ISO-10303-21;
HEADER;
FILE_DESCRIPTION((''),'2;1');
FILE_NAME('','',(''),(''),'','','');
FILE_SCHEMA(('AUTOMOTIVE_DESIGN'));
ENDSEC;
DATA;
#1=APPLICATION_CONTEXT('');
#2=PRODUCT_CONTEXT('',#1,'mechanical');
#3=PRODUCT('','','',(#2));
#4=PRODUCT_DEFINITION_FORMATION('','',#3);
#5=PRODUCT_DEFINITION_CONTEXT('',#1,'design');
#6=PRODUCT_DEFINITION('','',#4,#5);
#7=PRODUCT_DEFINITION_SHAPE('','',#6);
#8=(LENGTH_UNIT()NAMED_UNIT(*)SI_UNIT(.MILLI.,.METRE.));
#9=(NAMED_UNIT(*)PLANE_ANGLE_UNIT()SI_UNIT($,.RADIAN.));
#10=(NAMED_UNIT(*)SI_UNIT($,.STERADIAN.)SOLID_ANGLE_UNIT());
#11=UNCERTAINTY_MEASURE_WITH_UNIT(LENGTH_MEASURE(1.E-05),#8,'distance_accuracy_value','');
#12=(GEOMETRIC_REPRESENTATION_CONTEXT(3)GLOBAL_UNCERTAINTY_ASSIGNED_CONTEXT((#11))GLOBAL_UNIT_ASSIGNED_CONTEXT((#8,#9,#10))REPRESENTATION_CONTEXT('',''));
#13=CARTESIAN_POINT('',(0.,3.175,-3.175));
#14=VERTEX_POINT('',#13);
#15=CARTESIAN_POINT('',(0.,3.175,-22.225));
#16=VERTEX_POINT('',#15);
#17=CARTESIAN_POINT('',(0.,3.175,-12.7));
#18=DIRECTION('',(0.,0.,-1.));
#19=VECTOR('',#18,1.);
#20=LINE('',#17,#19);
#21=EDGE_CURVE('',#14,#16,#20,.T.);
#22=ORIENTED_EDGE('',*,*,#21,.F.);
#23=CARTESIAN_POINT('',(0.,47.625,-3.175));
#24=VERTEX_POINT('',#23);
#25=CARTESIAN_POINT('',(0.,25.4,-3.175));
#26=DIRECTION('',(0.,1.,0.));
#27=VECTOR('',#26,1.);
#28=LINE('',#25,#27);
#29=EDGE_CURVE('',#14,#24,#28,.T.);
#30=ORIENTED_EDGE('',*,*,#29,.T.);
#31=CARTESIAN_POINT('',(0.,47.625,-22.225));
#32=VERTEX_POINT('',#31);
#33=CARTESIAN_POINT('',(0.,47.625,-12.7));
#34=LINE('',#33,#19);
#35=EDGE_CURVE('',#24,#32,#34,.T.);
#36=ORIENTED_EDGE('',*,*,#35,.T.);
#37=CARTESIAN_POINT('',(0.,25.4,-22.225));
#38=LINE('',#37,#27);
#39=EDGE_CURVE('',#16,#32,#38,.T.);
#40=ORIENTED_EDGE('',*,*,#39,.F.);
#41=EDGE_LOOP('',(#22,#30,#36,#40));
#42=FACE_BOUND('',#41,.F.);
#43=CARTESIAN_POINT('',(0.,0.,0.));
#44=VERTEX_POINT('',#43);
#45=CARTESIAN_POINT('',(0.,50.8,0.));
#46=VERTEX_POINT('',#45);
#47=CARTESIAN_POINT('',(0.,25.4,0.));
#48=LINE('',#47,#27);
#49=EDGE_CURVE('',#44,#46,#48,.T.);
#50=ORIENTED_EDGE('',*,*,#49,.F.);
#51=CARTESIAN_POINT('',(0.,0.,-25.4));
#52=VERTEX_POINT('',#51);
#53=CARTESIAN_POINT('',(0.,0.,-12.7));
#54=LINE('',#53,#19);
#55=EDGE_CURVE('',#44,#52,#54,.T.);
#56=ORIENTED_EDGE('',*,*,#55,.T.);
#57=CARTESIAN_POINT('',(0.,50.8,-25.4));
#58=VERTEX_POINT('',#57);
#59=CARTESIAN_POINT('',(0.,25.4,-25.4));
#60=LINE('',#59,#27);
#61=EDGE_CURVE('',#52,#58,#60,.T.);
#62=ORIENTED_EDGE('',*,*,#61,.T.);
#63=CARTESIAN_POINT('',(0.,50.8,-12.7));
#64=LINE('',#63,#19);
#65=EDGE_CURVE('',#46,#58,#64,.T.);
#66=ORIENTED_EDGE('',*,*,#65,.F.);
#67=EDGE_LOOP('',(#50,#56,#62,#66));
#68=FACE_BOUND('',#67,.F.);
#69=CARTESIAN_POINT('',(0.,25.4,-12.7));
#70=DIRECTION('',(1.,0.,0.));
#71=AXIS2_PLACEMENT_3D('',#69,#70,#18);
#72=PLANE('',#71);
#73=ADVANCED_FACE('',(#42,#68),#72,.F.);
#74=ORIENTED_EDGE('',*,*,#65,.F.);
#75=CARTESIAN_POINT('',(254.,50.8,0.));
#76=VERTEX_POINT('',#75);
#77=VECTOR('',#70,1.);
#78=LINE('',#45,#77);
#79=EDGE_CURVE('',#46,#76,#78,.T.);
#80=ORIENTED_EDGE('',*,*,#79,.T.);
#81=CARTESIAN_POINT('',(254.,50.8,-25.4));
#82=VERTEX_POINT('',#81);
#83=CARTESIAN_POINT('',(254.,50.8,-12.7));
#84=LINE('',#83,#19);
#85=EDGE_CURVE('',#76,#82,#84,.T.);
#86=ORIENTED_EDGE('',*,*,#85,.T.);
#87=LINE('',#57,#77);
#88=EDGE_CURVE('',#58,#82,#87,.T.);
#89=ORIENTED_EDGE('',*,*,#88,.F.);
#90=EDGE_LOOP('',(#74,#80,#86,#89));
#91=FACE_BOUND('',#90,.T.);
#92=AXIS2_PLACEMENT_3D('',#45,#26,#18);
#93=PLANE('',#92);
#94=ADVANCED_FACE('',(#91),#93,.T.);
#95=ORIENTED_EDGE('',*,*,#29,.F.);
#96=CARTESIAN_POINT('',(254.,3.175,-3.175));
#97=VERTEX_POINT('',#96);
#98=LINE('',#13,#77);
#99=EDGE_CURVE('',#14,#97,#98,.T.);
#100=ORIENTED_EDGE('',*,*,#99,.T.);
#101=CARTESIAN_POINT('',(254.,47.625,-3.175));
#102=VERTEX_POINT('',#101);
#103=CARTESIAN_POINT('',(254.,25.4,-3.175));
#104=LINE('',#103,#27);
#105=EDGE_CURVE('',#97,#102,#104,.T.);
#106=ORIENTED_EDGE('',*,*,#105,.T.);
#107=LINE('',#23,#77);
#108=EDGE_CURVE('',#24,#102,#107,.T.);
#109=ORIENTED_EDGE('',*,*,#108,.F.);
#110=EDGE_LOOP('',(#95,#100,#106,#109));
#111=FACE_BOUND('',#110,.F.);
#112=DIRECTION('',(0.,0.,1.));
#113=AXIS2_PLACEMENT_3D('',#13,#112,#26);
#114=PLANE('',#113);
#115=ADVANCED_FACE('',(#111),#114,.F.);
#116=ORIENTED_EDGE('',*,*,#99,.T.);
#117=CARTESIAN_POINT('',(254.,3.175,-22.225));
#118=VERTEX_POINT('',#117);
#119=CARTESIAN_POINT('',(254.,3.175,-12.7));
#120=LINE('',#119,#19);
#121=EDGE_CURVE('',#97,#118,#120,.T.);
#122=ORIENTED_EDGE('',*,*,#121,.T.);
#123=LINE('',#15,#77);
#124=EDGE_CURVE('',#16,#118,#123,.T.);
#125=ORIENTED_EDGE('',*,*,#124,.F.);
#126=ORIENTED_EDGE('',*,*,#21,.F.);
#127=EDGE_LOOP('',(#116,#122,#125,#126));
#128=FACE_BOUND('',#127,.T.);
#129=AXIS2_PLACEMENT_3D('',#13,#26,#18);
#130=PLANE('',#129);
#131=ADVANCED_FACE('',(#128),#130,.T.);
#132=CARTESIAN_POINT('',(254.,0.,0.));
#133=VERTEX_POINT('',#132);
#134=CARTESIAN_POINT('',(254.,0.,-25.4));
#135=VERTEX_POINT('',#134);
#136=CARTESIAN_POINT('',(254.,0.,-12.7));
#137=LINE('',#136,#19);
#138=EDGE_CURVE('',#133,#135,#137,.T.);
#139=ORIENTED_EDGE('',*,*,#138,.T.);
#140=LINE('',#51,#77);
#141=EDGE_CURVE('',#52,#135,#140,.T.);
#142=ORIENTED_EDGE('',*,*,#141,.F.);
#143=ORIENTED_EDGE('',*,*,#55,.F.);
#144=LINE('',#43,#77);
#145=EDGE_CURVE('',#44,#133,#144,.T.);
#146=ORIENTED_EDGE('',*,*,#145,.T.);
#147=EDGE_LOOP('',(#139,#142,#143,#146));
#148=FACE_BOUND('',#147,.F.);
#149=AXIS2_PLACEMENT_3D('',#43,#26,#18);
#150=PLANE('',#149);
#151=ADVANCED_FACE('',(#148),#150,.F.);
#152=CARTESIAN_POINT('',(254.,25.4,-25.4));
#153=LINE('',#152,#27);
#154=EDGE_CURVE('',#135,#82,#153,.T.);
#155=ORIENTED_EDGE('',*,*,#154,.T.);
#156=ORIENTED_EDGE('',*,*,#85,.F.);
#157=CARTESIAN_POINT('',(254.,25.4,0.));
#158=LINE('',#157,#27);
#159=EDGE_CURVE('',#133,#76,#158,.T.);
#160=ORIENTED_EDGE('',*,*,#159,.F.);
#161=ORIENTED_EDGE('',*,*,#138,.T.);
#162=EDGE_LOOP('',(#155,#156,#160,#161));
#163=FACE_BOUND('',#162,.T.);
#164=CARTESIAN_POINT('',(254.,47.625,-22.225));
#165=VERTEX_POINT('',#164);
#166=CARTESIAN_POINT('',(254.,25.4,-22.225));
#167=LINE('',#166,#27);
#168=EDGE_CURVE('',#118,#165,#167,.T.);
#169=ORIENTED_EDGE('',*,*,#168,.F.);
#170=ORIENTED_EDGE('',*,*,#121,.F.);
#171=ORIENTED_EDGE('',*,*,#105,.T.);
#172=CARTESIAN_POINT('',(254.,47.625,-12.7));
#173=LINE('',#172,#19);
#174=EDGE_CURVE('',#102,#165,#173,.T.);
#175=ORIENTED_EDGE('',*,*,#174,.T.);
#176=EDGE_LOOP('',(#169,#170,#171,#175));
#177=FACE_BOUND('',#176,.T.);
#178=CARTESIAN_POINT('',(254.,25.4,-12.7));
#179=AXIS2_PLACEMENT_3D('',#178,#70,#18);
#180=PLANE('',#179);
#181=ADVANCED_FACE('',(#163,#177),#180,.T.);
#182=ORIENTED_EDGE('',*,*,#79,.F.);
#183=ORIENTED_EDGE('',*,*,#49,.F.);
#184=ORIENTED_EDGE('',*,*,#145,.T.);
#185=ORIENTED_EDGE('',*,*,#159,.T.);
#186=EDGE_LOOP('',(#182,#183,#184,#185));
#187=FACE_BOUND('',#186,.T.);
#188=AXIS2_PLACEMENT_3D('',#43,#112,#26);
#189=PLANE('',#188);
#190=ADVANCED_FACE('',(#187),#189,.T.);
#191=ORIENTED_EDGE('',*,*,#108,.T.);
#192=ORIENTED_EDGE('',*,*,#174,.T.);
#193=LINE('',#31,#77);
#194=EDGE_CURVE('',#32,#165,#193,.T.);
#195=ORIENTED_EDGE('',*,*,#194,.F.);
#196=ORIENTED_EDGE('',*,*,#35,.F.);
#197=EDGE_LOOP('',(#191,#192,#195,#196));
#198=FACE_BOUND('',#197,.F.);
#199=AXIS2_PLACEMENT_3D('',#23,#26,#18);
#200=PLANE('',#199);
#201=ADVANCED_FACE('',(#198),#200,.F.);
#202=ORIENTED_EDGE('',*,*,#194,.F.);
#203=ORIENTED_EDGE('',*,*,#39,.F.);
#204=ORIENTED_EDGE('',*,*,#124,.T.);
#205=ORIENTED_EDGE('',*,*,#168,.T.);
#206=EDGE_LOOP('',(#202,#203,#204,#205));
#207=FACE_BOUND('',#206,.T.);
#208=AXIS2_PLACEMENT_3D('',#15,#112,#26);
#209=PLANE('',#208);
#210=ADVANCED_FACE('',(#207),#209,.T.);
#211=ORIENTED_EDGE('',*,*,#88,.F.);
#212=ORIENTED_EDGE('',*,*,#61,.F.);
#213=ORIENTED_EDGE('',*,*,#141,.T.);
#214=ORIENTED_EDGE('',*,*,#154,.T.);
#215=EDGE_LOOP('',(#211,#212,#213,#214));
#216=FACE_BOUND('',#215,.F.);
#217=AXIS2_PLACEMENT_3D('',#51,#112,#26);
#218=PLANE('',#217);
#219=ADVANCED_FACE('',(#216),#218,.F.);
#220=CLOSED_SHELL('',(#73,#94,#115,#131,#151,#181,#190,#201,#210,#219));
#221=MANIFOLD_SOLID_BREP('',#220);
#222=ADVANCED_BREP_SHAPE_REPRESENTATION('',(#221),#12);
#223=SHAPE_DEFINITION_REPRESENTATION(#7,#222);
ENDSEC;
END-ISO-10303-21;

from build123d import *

# Parameters (mm, degrees)
SKETCH1_W           = 25.4
SKETCH1_H           = 50.8
SKETCH1_W_2         = 19.05
SKETCH1_H_2         = 44.45
BOSS_EXTRUDE1_DEPTH = 254


with BuildPart() as part:
    # Sketch1 → Boss-Extrude1 (new body)
    with BuildSketch(Plane(origin=(0, 0, 0), x_dir=(0, 0, -1), z_dir=(1, 0, 0))):
        with Locations((12.7, 25.4)):
            Rectangle(SKETCH1_W, SKETCH1_H)
        with Locations((12.7, 25.4)):
            Rectangle(SKETCH1_W_2, SKETCH1_H_2, mode=Mode.SUBTRACT)
    extrude(amount=BOSS_EXTRUDE1_DEPTH)


solid = part.part
